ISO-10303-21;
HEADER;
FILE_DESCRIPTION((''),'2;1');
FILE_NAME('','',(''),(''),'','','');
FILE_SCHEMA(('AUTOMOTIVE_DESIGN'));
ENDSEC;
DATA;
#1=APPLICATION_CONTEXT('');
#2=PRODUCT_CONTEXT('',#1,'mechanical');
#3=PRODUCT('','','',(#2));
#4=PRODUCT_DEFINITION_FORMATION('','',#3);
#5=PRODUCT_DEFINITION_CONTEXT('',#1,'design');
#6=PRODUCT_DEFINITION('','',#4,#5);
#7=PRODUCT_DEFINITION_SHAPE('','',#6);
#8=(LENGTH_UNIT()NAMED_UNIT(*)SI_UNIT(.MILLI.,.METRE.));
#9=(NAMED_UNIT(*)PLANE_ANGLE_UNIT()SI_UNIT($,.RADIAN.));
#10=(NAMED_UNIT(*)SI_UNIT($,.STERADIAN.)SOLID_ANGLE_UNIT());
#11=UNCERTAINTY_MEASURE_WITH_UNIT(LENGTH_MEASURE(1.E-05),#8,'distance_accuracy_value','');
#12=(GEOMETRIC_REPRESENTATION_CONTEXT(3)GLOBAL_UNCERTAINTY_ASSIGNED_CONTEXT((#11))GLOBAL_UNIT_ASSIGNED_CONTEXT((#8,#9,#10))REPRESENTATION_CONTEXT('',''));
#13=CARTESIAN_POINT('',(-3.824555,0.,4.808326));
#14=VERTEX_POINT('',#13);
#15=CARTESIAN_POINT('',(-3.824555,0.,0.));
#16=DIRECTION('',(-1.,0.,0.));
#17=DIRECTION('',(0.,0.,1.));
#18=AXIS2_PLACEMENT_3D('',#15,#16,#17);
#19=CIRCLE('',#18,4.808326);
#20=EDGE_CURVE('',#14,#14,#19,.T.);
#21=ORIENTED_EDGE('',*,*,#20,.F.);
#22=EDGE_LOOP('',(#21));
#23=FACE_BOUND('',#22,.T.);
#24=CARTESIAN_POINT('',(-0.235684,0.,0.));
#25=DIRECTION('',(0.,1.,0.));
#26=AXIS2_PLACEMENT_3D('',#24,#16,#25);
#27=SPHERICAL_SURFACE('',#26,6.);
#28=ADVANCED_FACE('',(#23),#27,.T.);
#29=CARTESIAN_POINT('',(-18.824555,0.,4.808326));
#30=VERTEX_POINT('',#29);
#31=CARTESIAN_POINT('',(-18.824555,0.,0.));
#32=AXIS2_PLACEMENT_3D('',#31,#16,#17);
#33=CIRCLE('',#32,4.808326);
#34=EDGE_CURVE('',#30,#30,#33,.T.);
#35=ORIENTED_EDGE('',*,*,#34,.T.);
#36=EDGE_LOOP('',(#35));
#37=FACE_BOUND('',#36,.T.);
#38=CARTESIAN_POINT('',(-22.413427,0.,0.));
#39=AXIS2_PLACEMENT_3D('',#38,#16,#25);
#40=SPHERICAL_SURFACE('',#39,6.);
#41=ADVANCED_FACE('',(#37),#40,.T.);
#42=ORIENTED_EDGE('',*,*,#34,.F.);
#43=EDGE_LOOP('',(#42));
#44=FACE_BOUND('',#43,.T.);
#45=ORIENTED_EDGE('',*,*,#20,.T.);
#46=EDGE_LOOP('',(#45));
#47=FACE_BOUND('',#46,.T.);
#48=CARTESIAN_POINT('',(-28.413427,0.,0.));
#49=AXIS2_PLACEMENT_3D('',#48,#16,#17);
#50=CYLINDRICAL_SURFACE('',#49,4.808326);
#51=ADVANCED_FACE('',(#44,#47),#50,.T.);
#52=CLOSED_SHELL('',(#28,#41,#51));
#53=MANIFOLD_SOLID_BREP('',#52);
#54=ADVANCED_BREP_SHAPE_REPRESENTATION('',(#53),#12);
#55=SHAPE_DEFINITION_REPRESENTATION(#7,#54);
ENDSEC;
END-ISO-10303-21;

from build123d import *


with BuildPart() as part:
    # Çizim3 → Döndür2 (revolve)
    with BuildSketch(Plane.XY):
        with BuildLine():
            Line((-18.824555393, 4.808326112), (-3.824555393, 4.808326112))
            ThreePointArc((-3.824555393, 4.808326112), (2.453811589, 5.363451787), (5.764316296, 0))
            Line((5.764316296, 0), (-28.413427082, 0))
            ThreePointArc((-28.413427082, 0), (-25.102922375, 5.363451787), (-18.824555393, 4.808326112))
        make_face()
    revolve(axis=Axis((-28.413427082, 0, 0), (1, 0, 0)))


solid = part.part
